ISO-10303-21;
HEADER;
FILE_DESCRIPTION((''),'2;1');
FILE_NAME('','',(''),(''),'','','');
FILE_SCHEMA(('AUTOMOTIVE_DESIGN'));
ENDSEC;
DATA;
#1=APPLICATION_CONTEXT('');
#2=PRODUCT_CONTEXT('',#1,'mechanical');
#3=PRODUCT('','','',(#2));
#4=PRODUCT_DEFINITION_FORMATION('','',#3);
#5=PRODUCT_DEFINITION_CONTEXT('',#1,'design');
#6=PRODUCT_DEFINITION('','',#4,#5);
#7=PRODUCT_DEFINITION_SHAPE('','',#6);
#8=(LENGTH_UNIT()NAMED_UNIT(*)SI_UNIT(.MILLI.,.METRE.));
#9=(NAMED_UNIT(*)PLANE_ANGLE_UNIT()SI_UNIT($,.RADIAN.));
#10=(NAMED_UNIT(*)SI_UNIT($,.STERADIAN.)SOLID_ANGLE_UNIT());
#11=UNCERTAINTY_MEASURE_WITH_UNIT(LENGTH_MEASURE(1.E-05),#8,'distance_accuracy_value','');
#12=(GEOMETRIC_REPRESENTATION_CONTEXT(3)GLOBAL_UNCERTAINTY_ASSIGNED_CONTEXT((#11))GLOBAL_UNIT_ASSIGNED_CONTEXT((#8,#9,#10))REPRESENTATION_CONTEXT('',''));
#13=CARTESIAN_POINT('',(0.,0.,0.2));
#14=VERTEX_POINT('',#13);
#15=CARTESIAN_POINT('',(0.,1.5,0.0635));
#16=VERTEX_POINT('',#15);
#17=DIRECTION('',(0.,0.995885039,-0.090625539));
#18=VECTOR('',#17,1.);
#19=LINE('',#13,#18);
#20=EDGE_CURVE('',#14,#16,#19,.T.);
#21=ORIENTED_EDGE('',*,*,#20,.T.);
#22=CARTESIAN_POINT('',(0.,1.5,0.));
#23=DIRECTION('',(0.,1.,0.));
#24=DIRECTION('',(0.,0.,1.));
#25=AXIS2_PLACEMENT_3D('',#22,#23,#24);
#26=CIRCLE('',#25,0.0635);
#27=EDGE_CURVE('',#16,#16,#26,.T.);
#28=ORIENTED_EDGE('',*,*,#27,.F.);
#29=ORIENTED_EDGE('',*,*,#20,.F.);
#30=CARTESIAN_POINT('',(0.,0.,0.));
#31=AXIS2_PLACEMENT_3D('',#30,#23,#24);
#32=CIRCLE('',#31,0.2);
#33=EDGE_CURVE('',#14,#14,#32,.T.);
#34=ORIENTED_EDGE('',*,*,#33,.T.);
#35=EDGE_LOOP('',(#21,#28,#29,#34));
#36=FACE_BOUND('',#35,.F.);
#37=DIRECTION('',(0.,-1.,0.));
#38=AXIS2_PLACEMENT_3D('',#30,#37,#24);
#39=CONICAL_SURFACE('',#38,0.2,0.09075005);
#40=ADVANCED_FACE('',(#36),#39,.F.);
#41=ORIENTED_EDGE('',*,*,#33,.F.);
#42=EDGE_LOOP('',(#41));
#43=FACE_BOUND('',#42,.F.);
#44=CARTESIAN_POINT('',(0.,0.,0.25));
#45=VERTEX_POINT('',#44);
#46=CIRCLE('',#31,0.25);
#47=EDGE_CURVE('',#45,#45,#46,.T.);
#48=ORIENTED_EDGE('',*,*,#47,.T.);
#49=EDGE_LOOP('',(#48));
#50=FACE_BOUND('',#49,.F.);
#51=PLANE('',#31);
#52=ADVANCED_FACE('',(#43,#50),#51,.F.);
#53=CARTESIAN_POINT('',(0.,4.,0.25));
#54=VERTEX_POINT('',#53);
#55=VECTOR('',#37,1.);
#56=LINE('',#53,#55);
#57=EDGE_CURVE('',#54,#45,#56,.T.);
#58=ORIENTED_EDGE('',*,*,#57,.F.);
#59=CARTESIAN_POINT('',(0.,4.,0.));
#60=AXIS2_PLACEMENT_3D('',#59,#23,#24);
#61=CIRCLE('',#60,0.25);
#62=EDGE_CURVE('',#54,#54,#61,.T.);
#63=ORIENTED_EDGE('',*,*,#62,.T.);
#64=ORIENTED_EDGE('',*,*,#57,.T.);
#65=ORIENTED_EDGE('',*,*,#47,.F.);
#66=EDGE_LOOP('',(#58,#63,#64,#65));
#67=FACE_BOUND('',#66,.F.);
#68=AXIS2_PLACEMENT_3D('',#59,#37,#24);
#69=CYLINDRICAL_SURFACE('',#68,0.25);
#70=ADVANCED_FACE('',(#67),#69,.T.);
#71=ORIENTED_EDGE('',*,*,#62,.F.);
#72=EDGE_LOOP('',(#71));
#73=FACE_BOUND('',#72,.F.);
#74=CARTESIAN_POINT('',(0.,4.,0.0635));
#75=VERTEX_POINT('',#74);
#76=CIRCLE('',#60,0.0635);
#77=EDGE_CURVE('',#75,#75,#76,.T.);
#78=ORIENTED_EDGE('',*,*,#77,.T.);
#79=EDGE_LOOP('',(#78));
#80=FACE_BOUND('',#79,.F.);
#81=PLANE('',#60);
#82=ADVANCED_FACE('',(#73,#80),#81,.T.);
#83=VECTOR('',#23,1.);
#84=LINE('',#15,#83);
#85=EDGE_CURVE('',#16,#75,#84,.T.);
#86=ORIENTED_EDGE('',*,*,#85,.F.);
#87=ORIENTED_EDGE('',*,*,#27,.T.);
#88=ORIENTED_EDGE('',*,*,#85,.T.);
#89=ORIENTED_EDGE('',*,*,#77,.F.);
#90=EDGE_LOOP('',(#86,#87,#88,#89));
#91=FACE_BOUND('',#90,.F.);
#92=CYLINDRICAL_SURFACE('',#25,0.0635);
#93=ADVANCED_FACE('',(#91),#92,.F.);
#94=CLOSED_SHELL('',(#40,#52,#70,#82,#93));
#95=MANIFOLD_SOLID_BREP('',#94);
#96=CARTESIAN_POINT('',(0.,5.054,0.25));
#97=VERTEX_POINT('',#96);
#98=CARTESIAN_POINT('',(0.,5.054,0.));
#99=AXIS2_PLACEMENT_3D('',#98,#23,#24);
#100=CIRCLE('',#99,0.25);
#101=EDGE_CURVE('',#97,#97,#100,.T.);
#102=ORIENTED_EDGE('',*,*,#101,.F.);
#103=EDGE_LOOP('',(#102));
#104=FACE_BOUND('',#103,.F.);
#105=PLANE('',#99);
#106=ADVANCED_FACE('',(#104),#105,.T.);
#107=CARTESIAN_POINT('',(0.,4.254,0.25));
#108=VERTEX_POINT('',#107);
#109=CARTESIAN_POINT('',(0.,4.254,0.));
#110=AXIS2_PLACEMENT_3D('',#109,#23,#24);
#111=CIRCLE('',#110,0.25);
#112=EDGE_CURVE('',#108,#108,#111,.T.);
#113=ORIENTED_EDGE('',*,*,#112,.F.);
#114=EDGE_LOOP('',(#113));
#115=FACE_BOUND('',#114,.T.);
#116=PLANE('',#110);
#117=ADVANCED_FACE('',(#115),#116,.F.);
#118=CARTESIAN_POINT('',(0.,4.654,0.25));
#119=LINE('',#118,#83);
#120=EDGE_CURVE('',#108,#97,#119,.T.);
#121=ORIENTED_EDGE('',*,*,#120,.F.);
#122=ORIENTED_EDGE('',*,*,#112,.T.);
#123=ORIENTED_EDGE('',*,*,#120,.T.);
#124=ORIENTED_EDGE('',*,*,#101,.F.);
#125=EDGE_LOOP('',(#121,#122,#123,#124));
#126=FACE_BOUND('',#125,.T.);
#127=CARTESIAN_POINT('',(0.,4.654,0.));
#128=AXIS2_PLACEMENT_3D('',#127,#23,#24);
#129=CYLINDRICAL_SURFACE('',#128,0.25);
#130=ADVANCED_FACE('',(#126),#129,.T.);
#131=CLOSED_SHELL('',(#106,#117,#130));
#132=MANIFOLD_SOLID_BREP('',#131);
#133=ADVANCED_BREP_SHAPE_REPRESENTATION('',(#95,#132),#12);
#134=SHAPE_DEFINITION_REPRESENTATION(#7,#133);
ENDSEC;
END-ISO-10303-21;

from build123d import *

# Parameters (mm, degrees)
F2_W = 0.8
F2_H = 0.25


with BuildPart() as f1:
    # F0 (on Right) → F1 (revolve)
    with BuildSketch(Plane.YZ):
        Polygon((4, 0.25), (0, 0.25), (0, 0.2), (1.5, 0.0635), (4, 0.0635), align=None)
    revolve(axis=Axis((0, 2.078321, 0), (0, 1, 0)))


with BuildPart() as f3:
    # F2 (on Right) → F3 (revolve)
    with BuildSketch(Plane.YZ):
        with Locations((4.654, 0.125)):
            Rectangle(F2_W, F2_H)
    revolve(axis=Axis((0, 4.654, 0), (0, 1, 0)))


solid = Compound([f1.part, f3.part])
